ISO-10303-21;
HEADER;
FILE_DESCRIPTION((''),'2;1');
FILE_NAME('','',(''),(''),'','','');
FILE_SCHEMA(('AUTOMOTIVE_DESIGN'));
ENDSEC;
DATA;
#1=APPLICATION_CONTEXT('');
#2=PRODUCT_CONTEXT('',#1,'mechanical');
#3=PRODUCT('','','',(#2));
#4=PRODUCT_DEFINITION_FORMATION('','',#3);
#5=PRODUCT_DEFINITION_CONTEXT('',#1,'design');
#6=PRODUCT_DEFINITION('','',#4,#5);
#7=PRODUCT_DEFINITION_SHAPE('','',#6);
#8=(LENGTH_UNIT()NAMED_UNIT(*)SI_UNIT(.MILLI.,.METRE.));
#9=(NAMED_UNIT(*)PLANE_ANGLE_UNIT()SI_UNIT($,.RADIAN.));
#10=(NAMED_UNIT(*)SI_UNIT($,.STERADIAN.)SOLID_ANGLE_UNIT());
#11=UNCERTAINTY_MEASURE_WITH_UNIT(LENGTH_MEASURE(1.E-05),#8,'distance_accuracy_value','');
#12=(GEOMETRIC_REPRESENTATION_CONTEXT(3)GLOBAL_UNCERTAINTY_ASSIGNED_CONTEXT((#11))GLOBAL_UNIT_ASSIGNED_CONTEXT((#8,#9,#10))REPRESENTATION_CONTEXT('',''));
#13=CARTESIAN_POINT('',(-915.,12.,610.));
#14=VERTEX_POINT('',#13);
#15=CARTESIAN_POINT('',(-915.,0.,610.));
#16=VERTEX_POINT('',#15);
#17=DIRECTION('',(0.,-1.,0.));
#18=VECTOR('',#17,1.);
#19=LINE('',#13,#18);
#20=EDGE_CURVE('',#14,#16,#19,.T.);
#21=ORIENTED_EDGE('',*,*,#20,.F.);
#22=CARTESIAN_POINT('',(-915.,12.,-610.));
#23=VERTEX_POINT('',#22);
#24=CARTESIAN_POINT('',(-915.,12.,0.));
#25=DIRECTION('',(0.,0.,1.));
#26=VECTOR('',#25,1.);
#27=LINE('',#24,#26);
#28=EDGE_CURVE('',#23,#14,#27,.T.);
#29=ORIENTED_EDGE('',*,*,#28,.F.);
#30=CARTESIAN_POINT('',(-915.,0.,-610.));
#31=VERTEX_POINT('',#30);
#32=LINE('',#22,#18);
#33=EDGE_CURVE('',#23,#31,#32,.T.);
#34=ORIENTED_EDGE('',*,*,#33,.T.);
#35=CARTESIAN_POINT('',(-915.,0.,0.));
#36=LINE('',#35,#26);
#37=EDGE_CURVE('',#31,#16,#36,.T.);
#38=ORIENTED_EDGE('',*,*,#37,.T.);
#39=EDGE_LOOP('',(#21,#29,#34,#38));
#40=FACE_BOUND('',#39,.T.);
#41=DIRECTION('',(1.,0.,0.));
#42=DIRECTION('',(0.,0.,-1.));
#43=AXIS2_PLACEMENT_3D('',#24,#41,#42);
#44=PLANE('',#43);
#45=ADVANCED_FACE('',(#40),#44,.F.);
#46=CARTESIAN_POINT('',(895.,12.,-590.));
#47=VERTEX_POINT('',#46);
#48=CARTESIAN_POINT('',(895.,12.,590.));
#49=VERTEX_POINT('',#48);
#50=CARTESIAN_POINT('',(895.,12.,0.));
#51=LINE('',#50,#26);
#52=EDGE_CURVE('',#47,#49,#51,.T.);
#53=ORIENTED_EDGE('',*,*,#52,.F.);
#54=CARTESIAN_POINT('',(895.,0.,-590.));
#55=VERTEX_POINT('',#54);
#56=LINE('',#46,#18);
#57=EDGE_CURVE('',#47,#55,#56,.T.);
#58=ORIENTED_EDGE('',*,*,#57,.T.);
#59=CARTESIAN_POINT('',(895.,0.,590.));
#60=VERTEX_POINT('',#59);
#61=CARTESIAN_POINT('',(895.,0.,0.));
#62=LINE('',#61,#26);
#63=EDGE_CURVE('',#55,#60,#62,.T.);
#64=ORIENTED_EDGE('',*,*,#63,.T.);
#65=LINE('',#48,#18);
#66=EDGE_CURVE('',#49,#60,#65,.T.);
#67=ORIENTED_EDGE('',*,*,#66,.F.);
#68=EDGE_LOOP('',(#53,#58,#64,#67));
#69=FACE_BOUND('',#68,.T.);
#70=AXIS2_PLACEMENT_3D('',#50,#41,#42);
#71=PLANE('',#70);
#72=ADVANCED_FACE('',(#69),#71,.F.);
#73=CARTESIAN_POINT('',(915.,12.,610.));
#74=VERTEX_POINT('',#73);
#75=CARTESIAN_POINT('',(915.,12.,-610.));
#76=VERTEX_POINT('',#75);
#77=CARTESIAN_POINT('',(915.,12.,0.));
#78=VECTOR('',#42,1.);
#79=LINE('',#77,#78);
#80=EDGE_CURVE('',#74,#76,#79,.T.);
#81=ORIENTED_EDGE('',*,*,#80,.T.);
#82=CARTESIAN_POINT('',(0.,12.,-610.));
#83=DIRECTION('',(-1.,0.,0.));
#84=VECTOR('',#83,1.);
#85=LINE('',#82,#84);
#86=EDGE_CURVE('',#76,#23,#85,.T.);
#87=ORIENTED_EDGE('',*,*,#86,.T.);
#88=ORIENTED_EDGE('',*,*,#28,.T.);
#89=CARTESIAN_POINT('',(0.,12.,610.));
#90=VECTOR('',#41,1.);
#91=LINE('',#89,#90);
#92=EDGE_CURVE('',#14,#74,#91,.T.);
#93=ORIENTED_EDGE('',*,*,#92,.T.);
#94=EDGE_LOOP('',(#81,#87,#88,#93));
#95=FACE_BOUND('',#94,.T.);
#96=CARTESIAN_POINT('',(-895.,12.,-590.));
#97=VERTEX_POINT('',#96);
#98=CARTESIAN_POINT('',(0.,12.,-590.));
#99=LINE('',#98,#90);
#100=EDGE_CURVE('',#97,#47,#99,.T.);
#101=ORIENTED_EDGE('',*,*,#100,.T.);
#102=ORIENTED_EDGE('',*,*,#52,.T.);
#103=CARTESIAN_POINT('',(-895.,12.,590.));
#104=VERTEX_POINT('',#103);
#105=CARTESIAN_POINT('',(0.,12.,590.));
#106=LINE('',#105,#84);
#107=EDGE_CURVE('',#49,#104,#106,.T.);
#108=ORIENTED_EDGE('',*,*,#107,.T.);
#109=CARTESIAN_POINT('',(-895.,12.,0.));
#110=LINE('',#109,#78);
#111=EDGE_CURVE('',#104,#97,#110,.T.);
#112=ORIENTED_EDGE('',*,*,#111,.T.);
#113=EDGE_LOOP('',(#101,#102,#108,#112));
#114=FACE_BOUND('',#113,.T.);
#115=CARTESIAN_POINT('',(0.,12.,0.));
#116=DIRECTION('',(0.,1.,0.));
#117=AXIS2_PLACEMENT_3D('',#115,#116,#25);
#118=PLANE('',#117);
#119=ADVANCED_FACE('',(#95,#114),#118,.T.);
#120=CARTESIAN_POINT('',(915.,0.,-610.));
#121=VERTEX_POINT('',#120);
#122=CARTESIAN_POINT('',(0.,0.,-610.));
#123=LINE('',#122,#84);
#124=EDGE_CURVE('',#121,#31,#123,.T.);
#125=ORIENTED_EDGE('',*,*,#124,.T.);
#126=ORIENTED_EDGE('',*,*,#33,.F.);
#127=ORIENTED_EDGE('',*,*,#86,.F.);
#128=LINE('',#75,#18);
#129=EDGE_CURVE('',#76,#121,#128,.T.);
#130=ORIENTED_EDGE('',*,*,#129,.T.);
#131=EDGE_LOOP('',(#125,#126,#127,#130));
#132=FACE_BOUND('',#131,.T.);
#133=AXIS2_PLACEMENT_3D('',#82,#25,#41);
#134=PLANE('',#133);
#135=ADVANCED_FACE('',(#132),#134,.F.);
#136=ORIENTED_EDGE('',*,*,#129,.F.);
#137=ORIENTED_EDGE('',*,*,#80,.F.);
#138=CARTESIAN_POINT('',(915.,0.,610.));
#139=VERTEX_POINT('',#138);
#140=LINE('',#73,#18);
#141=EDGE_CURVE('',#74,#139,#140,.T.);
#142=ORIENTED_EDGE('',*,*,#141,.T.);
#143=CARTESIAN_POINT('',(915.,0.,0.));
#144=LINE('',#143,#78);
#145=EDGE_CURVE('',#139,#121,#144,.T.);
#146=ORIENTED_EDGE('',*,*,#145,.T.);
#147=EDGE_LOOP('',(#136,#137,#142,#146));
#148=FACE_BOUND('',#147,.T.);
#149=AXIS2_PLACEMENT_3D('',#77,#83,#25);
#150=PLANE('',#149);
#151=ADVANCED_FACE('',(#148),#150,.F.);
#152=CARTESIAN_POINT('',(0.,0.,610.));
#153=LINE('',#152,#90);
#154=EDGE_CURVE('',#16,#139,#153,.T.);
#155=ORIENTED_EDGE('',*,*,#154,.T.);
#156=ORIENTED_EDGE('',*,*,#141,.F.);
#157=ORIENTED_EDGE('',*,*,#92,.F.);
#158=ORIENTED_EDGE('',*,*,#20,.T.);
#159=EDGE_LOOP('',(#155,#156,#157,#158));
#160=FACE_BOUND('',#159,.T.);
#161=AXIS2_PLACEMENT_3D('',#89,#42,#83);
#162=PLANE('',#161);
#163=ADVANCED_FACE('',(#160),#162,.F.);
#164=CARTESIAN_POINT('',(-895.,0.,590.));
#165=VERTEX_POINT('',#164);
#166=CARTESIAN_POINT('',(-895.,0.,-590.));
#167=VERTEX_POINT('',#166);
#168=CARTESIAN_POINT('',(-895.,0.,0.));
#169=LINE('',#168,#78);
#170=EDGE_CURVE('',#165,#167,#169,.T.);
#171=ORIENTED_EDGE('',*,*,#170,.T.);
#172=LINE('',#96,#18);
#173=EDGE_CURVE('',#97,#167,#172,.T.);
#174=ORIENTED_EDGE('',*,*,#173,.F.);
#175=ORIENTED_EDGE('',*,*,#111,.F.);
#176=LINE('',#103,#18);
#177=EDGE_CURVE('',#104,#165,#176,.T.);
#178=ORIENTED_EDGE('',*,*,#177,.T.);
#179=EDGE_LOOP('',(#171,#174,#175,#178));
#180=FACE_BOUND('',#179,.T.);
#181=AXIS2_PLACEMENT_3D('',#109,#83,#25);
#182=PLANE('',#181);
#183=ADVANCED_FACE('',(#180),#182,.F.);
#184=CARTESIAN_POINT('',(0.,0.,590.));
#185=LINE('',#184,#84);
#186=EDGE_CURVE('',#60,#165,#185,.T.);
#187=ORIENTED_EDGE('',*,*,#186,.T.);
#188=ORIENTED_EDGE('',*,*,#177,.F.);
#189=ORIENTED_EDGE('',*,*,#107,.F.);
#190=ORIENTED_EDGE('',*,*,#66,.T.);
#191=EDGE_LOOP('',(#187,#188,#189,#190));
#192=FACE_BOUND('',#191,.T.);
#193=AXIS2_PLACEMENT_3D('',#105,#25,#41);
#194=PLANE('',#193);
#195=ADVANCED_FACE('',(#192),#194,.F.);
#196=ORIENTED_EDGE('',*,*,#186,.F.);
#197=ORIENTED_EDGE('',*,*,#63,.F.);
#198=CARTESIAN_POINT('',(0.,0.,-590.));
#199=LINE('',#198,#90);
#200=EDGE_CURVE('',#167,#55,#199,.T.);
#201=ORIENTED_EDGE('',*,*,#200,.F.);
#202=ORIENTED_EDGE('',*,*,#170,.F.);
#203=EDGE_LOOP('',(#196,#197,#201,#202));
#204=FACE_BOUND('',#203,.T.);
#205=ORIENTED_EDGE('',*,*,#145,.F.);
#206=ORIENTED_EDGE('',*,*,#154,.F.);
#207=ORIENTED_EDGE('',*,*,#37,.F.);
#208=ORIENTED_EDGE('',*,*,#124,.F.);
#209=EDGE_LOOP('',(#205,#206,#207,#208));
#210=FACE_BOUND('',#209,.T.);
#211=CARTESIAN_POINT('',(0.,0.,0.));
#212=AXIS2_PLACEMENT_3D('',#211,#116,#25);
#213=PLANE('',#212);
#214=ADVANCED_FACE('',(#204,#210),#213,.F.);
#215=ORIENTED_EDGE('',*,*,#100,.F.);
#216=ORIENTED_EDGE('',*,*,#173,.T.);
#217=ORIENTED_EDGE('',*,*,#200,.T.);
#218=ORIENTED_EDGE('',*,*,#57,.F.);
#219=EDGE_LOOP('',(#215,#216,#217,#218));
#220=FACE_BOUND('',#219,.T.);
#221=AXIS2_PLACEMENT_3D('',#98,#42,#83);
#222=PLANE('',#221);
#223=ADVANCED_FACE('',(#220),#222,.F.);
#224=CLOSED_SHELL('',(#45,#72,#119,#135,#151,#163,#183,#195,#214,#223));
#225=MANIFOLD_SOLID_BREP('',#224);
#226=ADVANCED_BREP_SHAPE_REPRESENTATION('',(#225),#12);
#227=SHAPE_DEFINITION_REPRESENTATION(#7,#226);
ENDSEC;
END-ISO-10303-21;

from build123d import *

# Parameters (mm, degrees)
SKETCH_1_W      = 20
SKETCH_1_H      = 600
EXTRUDE_1_DEPTH = 12


with BuildPart() as part:
    # Эскиз1 → Выдавливание1 (new body)
    with BuildSketch(Plane(origin=(0, 0, 0), x_dir=(-1, 0, 0), z_dir=(0, 1, 0))):
        Polygon((-915, -300), (-915, -610), (915, -610), (915, -300), (895, -300), (895, -590), (-895, -590), (-895, -300), align=None)
        Polygon((-895, 300), (-895, 590), (895, 590), (895, 300), (915, 300), (915, 610), (-915, 610), (-915, 300), align=None)
        with Locations((-905, 0)):
            Rectangle(SKETCH_1_W, SKETCH_1_H)
        with Locations((905, 0)):
            Rectangle(SKETCH_1_W, SKETCH_1_H)
    extrude(amount=EXTRUDE_1_DEPTH)


solid = part.part
